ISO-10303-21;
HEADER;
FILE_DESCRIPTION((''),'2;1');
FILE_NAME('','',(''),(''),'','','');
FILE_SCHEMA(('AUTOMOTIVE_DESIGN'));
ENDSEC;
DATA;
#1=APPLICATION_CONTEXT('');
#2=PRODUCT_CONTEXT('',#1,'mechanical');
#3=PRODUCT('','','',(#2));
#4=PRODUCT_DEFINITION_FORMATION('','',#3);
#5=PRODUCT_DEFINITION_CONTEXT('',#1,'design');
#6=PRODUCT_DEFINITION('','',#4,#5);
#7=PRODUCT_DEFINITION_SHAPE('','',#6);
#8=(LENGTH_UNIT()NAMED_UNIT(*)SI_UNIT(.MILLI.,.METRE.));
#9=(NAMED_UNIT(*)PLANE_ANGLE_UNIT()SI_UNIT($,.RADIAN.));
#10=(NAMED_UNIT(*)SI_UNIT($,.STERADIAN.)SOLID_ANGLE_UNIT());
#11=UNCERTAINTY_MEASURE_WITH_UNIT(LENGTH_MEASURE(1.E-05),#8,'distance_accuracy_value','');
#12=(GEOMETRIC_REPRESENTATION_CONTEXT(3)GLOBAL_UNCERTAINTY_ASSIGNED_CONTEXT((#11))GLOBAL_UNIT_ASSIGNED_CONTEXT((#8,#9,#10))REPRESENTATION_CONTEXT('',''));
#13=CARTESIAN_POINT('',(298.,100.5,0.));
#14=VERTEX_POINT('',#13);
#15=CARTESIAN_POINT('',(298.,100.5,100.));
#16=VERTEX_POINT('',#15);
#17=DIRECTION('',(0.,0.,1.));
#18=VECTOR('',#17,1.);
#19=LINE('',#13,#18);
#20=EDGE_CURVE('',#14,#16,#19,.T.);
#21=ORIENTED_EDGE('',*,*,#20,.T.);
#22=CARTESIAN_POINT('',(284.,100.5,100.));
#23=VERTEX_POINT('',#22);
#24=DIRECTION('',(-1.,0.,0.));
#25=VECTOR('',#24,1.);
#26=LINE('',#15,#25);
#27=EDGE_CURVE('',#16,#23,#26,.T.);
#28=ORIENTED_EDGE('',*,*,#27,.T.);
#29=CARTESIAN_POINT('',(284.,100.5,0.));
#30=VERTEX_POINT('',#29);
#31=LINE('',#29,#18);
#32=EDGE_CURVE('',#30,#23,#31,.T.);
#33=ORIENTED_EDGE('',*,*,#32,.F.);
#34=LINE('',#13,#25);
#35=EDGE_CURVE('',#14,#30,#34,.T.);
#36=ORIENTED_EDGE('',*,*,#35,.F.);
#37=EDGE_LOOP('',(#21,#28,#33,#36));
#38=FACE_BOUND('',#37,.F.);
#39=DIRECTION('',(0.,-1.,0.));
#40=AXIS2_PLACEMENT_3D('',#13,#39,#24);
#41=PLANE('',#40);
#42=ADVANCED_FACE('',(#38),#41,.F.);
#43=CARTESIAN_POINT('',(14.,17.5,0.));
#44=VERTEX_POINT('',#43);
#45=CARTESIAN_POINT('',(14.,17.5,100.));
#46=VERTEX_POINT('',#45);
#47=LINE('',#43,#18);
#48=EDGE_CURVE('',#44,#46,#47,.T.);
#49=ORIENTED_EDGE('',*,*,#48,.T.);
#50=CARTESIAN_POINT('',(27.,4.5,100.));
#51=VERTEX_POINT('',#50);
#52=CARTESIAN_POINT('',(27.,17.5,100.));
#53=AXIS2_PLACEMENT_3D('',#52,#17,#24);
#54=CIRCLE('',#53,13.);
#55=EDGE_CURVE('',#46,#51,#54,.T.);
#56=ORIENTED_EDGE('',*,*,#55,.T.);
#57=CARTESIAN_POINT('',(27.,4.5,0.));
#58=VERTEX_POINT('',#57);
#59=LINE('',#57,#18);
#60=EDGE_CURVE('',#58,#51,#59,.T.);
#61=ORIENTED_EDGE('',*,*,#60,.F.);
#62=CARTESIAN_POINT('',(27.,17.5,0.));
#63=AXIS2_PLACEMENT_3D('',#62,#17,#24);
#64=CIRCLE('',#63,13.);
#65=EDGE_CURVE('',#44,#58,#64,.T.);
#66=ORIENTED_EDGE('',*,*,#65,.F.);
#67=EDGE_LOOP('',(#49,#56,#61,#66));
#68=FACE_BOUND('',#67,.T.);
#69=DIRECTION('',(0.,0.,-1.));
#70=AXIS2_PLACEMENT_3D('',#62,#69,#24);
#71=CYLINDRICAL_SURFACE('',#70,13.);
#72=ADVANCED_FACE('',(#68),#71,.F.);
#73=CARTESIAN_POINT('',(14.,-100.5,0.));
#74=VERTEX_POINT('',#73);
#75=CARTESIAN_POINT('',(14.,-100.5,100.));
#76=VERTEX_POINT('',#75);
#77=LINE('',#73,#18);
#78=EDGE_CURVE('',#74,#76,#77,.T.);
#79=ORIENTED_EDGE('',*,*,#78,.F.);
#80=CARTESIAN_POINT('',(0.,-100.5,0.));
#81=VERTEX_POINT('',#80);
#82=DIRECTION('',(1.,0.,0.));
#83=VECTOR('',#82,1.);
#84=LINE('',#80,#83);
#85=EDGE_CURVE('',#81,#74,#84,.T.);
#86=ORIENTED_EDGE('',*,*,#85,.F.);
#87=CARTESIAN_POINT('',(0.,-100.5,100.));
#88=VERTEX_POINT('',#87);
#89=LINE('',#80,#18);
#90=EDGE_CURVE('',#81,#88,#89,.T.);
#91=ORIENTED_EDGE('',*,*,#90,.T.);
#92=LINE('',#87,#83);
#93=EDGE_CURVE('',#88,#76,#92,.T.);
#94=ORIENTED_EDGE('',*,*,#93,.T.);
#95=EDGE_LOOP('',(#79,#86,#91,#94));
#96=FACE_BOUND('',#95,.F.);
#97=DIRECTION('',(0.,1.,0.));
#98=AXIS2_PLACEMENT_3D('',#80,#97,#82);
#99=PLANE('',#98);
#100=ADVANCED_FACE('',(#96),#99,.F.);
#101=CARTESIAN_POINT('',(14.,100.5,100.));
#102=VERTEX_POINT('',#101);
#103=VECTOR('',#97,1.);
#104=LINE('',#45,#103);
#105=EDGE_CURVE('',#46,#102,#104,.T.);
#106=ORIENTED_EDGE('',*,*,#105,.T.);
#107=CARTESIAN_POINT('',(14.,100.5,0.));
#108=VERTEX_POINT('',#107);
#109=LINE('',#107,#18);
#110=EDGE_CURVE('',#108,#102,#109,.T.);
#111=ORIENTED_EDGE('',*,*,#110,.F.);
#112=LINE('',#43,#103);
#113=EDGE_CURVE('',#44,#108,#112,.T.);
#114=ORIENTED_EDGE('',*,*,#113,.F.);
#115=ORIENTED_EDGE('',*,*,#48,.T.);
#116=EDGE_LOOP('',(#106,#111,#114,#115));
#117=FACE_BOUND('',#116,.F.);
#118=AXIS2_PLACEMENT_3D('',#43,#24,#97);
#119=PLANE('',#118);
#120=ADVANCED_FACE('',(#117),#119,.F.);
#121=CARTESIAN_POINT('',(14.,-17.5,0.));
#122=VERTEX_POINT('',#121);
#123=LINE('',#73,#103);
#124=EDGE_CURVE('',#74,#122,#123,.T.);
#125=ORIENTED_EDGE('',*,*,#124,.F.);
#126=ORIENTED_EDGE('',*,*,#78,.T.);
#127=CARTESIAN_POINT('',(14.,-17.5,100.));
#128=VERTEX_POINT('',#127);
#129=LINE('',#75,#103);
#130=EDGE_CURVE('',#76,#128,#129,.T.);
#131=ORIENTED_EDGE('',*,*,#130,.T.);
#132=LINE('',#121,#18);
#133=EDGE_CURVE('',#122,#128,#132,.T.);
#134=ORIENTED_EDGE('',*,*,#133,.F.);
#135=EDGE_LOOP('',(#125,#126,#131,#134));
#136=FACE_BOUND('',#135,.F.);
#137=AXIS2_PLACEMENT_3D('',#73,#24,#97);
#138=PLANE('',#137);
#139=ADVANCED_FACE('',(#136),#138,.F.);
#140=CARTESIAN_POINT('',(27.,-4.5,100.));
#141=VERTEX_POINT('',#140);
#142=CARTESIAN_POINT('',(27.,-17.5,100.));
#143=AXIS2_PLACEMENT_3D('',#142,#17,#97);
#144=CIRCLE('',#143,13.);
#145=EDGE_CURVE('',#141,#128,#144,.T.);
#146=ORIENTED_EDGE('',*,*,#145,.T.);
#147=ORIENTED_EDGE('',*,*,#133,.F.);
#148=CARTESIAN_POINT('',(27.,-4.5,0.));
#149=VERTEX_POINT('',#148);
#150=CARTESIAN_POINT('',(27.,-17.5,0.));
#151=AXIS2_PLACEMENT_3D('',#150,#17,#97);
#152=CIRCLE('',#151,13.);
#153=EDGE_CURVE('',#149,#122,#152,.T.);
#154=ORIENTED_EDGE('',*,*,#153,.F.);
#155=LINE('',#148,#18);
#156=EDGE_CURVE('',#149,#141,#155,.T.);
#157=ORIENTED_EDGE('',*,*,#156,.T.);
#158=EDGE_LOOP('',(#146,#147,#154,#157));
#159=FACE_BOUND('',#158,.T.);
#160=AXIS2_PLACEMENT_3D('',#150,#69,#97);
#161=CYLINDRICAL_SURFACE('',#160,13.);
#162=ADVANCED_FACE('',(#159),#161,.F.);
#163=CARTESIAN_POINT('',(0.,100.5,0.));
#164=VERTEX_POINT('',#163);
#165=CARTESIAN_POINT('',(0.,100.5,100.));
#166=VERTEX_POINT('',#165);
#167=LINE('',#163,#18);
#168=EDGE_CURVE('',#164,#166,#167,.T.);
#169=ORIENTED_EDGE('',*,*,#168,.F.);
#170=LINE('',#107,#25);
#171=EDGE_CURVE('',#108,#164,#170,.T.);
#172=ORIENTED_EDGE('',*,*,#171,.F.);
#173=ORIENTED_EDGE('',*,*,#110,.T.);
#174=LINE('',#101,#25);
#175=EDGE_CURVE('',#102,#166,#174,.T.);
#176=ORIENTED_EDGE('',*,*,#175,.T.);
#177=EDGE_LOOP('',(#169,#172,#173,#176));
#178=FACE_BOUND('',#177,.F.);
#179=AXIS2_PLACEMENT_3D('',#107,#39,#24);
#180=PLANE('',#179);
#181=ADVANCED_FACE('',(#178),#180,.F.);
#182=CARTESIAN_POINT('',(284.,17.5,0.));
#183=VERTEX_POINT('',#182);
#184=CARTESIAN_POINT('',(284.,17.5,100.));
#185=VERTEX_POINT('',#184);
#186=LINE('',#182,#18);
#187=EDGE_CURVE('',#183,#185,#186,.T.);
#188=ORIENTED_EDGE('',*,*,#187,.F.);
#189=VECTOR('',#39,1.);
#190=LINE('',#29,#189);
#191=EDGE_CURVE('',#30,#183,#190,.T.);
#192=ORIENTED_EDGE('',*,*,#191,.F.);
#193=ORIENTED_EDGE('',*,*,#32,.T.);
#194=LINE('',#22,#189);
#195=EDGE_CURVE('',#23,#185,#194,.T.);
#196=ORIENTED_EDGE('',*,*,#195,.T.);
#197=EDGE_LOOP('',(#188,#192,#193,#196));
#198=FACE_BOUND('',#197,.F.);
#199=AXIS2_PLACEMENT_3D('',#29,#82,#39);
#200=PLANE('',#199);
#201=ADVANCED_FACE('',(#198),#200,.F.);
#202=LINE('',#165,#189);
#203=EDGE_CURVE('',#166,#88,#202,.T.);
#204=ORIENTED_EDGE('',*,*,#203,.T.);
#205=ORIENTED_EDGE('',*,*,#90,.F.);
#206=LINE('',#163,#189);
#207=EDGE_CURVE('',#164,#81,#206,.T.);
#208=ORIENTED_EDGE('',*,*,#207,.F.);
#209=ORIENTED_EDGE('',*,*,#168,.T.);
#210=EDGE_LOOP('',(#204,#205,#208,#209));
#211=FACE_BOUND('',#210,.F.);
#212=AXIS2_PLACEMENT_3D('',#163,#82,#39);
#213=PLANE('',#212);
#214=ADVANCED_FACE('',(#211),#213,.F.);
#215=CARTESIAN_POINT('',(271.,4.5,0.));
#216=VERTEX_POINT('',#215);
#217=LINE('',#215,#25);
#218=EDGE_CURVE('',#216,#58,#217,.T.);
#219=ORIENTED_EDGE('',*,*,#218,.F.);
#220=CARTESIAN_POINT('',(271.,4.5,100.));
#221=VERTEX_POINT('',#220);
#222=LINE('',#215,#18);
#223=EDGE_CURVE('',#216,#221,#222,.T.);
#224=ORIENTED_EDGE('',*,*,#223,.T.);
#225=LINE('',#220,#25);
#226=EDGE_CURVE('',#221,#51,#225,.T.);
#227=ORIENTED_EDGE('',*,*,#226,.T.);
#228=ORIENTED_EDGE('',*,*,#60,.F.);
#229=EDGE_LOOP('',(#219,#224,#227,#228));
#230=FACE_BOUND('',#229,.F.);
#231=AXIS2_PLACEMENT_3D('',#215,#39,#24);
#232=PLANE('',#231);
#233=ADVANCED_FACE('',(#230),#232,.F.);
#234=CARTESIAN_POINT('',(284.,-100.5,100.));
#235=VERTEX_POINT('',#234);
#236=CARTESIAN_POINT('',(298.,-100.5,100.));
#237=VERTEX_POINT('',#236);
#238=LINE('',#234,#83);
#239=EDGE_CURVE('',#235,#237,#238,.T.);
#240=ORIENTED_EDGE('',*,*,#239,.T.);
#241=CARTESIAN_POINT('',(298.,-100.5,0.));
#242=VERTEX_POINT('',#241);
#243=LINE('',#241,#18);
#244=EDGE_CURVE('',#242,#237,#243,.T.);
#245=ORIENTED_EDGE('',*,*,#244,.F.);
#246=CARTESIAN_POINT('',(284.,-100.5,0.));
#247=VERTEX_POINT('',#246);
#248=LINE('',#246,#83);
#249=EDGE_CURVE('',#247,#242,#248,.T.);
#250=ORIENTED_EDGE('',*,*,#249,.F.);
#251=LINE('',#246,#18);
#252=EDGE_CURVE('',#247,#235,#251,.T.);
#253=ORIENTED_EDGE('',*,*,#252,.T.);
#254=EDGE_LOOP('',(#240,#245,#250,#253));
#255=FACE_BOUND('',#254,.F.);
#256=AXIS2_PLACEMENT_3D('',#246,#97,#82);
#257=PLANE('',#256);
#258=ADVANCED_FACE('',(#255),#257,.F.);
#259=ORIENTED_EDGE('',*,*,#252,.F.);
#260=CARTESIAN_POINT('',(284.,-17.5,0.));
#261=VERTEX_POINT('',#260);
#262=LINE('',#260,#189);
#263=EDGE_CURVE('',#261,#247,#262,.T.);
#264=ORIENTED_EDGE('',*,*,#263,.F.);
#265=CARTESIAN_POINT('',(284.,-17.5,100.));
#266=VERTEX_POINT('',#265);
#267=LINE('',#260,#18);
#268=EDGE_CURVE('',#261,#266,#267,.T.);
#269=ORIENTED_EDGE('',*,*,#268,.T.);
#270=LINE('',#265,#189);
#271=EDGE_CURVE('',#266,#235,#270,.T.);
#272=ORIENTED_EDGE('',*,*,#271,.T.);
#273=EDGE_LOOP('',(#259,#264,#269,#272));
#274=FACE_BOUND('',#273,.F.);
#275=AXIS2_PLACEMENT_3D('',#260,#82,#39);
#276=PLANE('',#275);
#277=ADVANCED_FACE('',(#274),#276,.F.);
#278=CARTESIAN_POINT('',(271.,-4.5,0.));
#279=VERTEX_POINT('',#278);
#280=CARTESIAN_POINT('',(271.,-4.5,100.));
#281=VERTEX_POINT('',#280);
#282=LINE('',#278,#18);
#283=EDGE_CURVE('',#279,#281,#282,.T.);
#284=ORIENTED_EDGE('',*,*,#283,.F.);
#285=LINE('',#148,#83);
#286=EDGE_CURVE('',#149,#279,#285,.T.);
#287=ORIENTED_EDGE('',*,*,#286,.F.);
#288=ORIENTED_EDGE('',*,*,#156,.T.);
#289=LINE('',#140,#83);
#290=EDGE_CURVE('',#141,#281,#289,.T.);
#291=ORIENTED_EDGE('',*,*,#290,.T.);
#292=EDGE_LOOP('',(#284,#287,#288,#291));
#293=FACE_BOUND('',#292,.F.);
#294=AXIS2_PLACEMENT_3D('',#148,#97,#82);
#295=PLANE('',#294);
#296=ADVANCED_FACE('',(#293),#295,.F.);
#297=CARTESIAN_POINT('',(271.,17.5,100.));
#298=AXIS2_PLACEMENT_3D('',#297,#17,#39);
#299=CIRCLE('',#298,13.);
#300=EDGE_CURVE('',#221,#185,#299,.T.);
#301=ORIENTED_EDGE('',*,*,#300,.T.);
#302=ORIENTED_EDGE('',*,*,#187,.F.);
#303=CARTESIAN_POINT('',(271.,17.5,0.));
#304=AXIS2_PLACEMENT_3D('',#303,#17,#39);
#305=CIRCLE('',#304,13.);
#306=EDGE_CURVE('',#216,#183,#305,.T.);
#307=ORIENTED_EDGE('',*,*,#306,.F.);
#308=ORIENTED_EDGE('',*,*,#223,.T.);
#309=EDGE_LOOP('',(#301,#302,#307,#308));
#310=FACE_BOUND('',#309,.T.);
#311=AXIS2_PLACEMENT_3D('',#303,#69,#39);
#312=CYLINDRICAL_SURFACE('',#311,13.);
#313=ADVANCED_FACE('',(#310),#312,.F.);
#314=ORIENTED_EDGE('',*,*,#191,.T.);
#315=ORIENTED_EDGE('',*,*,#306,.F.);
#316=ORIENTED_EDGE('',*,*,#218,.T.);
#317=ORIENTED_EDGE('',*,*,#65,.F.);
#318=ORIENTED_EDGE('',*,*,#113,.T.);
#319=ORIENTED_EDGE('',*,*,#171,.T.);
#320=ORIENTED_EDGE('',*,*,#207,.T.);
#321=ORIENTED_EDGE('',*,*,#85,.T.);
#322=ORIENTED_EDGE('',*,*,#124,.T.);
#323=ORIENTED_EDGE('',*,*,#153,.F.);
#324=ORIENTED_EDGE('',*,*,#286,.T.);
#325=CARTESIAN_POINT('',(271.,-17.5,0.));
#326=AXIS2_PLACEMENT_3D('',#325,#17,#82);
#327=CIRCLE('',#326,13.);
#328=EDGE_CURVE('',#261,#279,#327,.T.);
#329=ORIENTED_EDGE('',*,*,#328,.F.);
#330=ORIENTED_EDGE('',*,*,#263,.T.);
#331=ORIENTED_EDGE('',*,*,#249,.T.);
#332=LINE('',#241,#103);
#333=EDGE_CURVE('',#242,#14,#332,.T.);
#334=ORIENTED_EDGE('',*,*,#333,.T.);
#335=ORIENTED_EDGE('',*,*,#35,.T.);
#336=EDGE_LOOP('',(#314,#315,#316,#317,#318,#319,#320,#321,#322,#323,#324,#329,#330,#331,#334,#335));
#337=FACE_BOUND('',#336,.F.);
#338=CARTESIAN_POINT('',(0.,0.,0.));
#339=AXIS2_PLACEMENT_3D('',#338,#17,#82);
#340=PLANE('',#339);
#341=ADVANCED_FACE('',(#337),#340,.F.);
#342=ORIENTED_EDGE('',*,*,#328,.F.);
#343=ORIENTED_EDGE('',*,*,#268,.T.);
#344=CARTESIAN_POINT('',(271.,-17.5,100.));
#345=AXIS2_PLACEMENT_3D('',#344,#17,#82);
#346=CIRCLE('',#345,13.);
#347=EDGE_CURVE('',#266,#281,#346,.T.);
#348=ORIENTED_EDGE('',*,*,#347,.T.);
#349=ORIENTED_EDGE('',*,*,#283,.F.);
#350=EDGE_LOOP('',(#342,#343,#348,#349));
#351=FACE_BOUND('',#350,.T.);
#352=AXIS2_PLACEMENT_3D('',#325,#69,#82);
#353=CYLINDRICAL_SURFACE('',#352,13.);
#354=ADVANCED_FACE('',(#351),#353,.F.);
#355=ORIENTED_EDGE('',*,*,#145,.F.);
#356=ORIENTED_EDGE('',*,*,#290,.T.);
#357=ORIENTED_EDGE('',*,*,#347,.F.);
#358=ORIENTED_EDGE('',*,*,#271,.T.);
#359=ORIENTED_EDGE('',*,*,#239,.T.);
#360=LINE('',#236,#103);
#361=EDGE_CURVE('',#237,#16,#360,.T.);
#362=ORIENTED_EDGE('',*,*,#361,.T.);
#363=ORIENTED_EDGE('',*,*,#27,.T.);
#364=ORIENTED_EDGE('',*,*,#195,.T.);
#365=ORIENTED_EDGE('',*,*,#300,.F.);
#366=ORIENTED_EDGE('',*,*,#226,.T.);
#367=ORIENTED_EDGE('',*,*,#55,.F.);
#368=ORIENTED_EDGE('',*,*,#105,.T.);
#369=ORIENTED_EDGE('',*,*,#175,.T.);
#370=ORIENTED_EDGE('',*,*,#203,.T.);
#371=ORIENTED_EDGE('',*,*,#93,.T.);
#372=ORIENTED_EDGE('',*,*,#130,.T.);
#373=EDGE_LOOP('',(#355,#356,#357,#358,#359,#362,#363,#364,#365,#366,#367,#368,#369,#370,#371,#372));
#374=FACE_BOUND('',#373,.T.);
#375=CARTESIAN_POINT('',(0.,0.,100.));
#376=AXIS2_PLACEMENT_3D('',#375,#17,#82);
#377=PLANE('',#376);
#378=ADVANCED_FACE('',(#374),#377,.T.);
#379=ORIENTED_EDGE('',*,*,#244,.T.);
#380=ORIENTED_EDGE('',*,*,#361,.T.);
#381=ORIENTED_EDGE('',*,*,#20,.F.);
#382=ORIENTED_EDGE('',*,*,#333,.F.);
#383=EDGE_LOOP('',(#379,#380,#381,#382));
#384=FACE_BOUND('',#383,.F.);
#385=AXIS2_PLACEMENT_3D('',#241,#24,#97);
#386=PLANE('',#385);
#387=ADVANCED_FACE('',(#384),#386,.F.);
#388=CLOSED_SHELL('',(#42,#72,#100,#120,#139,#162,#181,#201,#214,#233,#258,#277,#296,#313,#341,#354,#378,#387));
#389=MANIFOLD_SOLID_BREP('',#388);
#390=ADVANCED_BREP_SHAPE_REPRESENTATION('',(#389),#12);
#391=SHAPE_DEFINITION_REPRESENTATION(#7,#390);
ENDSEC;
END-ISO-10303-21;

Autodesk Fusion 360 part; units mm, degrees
sketch "スケッチ1" plane through (0, 0, 0) normal (0, 0, 1) x (1, 0, 0)
  line L0 (0, 100.5) -> (0, -100.5)
  line L1 (14, 17.5) -> (14, 100.5)
  line L2 (284, 100.5) -> (284, 17.5)
  line L3 (298, -100.5) -> (298, 100.5)
  line L4 (284, -17.5) -> (284, -100.5)
  line L5 (14, -100.5) -> (14, -17.5)
  line L6 (0, -100.5) -> (14, -100.5)
  line L7 (284, -100.5) -> (298, -100.5)
  line L8 (271, 4.5) -> (27, 4.5)
  line L9 (27, -4.5) -> (271, -4.5)
  line L10 (14, 100.5) -> (0, 100.5)
  line L11 (298, 100.5) -> (284, 100.5)
  arc A0 (27, -4.5) -> (14, -17.5) centre (27, -17.5) ccw
  arc A1 (14, 17.5) -> (27, 4.5) centre (27, 17.5) ccw
  arc A2 (271, 4.5) -> (284, 17.5) centre (271, 17.5) ccw
  arc A3 (284, -17.5) -> (271, -4.5) centre (271, -17.5) ccw
extrude "押し出し1" add sketch "スケッチ1" along normal blind 100
